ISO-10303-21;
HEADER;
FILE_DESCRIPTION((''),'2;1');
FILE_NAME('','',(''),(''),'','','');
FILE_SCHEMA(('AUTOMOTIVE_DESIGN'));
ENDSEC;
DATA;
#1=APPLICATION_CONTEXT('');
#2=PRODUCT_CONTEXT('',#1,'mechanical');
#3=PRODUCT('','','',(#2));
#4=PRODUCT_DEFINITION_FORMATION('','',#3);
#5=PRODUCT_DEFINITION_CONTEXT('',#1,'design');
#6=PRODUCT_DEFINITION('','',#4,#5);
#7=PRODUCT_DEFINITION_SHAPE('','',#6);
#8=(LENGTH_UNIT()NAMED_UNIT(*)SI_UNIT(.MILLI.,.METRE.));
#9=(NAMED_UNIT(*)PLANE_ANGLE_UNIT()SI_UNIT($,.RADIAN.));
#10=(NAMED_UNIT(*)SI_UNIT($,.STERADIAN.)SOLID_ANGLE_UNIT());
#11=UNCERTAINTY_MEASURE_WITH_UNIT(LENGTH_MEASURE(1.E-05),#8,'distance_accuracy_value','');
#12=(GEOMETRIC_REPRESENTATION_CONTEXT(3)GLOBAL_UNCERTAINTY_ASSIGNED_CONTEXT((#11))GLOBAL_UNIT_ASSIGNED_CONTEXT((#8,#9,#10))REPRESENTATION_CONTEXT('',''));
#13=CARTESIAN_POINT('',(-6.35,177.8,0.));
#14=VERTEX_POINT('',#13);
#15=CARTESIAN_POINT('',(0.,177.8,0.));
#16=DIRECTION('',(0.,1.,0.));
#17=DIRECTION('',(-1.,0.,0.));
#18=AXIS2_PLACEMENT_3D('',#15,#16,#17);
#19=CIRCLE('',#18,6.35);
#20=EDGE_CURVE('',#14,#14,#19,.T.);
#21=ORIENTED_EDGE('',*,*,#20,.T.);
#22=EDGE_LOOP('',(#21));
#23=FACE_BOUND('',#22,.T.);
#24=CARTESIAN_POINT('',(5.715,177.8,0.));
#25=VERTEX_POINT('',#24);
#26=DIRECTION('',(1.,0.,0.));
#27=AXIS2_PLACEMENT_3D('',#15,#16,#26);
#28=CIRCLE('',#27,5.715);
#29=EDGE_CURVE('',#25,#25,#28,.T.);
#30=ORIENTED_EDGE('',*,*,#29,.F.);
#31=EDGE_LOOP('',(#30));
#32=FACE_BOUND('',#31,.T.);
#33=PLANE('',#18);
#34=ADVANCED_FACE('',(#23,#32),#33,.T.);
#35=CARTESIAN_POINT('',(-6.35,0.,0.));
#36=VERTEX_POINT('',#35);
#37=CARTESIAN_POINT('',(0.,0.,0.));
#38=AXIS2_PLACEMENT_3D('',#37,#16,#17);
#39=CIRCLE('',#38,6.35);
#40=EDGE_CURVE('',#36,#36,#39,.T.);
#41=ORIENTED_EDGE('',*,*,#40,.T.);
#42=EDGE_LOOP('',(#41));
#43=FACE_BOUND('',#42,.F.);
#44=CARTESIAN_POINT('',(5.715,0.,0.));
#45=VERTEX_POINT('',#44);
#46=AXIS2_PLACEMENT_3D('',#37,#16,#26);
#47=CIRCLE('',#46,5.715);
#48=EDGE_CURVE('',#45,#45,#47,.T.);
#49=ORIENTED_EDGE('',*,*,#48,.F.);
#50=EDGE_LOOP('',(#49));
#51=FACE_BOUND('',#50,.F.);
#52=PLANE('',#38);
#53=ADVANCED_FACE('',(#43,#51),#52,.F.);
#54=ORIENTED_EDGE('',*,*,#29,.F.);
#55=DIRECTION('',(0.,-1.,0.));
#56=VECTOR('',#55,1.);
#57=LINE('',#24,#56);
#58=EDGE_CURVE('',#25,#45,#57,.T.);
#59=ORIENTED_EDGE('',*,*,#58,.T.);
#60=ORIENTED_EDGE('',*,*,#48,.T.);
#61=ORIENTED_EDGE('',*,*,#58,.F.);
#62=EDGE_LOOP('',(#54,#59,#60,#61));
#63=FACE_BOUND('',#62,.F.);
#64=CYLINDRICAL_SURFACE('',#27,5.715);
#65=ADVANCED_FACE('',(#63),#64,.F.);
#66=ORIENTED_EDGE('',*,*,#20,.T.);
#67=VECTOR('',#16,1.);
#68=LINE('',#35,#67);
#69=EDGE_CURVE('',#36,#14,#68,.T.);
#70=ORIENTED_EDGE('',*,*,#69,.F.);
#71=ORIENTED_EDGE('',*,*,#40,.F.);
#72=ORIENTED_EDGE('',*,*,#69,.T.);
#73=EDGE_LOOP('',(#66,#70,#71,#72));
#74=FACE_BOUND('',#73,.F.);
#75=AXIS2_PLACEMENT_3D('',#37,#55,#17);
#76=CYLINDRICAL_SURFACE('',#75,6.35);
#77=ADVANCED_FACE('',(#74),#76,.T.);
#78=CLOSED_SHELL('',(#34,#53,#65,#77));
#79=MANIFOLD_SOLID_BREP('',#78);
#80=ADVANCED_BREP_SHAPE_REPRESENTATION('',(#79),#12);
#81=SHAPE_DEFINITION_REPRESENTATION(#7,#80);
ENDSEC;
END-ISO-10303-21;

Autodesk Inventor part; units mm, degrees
ref_plane "YZ Plane" through (0, 0, 0) normal (1, 0, 0) x (0, 1, 0)
ref_plane "XZ Plane" through (0, 0, 0) normal (0, 1, 0) x (-1, 0, 0)
ref_plane "XY Plane" through (0, 0, 0) normal (0, 0, 1) x (1, 0, 0)
sketch "Sketch1" plane through (0, 0, 0) normal (0, 1, 0) x (-1, 0, 0)
  circle A0 centre (0, 0) radius 6.35
  dimension "d0" = 12.7
extrude "Extrusion1" add sketch "Sketch1" along normal blind 177.8
sketch "Sketch2" plane through (0, 177.8, 0) normal (0, 1, 0) x (1, 0, 0)
  circle A0 centre (0, 0) radius 5.715
  dimension "d3" = 11.43
extrude "Extrusion2" cut sketch "Sketch2" against normal blind 177.8
properties part number "Rocket - Shaft"
